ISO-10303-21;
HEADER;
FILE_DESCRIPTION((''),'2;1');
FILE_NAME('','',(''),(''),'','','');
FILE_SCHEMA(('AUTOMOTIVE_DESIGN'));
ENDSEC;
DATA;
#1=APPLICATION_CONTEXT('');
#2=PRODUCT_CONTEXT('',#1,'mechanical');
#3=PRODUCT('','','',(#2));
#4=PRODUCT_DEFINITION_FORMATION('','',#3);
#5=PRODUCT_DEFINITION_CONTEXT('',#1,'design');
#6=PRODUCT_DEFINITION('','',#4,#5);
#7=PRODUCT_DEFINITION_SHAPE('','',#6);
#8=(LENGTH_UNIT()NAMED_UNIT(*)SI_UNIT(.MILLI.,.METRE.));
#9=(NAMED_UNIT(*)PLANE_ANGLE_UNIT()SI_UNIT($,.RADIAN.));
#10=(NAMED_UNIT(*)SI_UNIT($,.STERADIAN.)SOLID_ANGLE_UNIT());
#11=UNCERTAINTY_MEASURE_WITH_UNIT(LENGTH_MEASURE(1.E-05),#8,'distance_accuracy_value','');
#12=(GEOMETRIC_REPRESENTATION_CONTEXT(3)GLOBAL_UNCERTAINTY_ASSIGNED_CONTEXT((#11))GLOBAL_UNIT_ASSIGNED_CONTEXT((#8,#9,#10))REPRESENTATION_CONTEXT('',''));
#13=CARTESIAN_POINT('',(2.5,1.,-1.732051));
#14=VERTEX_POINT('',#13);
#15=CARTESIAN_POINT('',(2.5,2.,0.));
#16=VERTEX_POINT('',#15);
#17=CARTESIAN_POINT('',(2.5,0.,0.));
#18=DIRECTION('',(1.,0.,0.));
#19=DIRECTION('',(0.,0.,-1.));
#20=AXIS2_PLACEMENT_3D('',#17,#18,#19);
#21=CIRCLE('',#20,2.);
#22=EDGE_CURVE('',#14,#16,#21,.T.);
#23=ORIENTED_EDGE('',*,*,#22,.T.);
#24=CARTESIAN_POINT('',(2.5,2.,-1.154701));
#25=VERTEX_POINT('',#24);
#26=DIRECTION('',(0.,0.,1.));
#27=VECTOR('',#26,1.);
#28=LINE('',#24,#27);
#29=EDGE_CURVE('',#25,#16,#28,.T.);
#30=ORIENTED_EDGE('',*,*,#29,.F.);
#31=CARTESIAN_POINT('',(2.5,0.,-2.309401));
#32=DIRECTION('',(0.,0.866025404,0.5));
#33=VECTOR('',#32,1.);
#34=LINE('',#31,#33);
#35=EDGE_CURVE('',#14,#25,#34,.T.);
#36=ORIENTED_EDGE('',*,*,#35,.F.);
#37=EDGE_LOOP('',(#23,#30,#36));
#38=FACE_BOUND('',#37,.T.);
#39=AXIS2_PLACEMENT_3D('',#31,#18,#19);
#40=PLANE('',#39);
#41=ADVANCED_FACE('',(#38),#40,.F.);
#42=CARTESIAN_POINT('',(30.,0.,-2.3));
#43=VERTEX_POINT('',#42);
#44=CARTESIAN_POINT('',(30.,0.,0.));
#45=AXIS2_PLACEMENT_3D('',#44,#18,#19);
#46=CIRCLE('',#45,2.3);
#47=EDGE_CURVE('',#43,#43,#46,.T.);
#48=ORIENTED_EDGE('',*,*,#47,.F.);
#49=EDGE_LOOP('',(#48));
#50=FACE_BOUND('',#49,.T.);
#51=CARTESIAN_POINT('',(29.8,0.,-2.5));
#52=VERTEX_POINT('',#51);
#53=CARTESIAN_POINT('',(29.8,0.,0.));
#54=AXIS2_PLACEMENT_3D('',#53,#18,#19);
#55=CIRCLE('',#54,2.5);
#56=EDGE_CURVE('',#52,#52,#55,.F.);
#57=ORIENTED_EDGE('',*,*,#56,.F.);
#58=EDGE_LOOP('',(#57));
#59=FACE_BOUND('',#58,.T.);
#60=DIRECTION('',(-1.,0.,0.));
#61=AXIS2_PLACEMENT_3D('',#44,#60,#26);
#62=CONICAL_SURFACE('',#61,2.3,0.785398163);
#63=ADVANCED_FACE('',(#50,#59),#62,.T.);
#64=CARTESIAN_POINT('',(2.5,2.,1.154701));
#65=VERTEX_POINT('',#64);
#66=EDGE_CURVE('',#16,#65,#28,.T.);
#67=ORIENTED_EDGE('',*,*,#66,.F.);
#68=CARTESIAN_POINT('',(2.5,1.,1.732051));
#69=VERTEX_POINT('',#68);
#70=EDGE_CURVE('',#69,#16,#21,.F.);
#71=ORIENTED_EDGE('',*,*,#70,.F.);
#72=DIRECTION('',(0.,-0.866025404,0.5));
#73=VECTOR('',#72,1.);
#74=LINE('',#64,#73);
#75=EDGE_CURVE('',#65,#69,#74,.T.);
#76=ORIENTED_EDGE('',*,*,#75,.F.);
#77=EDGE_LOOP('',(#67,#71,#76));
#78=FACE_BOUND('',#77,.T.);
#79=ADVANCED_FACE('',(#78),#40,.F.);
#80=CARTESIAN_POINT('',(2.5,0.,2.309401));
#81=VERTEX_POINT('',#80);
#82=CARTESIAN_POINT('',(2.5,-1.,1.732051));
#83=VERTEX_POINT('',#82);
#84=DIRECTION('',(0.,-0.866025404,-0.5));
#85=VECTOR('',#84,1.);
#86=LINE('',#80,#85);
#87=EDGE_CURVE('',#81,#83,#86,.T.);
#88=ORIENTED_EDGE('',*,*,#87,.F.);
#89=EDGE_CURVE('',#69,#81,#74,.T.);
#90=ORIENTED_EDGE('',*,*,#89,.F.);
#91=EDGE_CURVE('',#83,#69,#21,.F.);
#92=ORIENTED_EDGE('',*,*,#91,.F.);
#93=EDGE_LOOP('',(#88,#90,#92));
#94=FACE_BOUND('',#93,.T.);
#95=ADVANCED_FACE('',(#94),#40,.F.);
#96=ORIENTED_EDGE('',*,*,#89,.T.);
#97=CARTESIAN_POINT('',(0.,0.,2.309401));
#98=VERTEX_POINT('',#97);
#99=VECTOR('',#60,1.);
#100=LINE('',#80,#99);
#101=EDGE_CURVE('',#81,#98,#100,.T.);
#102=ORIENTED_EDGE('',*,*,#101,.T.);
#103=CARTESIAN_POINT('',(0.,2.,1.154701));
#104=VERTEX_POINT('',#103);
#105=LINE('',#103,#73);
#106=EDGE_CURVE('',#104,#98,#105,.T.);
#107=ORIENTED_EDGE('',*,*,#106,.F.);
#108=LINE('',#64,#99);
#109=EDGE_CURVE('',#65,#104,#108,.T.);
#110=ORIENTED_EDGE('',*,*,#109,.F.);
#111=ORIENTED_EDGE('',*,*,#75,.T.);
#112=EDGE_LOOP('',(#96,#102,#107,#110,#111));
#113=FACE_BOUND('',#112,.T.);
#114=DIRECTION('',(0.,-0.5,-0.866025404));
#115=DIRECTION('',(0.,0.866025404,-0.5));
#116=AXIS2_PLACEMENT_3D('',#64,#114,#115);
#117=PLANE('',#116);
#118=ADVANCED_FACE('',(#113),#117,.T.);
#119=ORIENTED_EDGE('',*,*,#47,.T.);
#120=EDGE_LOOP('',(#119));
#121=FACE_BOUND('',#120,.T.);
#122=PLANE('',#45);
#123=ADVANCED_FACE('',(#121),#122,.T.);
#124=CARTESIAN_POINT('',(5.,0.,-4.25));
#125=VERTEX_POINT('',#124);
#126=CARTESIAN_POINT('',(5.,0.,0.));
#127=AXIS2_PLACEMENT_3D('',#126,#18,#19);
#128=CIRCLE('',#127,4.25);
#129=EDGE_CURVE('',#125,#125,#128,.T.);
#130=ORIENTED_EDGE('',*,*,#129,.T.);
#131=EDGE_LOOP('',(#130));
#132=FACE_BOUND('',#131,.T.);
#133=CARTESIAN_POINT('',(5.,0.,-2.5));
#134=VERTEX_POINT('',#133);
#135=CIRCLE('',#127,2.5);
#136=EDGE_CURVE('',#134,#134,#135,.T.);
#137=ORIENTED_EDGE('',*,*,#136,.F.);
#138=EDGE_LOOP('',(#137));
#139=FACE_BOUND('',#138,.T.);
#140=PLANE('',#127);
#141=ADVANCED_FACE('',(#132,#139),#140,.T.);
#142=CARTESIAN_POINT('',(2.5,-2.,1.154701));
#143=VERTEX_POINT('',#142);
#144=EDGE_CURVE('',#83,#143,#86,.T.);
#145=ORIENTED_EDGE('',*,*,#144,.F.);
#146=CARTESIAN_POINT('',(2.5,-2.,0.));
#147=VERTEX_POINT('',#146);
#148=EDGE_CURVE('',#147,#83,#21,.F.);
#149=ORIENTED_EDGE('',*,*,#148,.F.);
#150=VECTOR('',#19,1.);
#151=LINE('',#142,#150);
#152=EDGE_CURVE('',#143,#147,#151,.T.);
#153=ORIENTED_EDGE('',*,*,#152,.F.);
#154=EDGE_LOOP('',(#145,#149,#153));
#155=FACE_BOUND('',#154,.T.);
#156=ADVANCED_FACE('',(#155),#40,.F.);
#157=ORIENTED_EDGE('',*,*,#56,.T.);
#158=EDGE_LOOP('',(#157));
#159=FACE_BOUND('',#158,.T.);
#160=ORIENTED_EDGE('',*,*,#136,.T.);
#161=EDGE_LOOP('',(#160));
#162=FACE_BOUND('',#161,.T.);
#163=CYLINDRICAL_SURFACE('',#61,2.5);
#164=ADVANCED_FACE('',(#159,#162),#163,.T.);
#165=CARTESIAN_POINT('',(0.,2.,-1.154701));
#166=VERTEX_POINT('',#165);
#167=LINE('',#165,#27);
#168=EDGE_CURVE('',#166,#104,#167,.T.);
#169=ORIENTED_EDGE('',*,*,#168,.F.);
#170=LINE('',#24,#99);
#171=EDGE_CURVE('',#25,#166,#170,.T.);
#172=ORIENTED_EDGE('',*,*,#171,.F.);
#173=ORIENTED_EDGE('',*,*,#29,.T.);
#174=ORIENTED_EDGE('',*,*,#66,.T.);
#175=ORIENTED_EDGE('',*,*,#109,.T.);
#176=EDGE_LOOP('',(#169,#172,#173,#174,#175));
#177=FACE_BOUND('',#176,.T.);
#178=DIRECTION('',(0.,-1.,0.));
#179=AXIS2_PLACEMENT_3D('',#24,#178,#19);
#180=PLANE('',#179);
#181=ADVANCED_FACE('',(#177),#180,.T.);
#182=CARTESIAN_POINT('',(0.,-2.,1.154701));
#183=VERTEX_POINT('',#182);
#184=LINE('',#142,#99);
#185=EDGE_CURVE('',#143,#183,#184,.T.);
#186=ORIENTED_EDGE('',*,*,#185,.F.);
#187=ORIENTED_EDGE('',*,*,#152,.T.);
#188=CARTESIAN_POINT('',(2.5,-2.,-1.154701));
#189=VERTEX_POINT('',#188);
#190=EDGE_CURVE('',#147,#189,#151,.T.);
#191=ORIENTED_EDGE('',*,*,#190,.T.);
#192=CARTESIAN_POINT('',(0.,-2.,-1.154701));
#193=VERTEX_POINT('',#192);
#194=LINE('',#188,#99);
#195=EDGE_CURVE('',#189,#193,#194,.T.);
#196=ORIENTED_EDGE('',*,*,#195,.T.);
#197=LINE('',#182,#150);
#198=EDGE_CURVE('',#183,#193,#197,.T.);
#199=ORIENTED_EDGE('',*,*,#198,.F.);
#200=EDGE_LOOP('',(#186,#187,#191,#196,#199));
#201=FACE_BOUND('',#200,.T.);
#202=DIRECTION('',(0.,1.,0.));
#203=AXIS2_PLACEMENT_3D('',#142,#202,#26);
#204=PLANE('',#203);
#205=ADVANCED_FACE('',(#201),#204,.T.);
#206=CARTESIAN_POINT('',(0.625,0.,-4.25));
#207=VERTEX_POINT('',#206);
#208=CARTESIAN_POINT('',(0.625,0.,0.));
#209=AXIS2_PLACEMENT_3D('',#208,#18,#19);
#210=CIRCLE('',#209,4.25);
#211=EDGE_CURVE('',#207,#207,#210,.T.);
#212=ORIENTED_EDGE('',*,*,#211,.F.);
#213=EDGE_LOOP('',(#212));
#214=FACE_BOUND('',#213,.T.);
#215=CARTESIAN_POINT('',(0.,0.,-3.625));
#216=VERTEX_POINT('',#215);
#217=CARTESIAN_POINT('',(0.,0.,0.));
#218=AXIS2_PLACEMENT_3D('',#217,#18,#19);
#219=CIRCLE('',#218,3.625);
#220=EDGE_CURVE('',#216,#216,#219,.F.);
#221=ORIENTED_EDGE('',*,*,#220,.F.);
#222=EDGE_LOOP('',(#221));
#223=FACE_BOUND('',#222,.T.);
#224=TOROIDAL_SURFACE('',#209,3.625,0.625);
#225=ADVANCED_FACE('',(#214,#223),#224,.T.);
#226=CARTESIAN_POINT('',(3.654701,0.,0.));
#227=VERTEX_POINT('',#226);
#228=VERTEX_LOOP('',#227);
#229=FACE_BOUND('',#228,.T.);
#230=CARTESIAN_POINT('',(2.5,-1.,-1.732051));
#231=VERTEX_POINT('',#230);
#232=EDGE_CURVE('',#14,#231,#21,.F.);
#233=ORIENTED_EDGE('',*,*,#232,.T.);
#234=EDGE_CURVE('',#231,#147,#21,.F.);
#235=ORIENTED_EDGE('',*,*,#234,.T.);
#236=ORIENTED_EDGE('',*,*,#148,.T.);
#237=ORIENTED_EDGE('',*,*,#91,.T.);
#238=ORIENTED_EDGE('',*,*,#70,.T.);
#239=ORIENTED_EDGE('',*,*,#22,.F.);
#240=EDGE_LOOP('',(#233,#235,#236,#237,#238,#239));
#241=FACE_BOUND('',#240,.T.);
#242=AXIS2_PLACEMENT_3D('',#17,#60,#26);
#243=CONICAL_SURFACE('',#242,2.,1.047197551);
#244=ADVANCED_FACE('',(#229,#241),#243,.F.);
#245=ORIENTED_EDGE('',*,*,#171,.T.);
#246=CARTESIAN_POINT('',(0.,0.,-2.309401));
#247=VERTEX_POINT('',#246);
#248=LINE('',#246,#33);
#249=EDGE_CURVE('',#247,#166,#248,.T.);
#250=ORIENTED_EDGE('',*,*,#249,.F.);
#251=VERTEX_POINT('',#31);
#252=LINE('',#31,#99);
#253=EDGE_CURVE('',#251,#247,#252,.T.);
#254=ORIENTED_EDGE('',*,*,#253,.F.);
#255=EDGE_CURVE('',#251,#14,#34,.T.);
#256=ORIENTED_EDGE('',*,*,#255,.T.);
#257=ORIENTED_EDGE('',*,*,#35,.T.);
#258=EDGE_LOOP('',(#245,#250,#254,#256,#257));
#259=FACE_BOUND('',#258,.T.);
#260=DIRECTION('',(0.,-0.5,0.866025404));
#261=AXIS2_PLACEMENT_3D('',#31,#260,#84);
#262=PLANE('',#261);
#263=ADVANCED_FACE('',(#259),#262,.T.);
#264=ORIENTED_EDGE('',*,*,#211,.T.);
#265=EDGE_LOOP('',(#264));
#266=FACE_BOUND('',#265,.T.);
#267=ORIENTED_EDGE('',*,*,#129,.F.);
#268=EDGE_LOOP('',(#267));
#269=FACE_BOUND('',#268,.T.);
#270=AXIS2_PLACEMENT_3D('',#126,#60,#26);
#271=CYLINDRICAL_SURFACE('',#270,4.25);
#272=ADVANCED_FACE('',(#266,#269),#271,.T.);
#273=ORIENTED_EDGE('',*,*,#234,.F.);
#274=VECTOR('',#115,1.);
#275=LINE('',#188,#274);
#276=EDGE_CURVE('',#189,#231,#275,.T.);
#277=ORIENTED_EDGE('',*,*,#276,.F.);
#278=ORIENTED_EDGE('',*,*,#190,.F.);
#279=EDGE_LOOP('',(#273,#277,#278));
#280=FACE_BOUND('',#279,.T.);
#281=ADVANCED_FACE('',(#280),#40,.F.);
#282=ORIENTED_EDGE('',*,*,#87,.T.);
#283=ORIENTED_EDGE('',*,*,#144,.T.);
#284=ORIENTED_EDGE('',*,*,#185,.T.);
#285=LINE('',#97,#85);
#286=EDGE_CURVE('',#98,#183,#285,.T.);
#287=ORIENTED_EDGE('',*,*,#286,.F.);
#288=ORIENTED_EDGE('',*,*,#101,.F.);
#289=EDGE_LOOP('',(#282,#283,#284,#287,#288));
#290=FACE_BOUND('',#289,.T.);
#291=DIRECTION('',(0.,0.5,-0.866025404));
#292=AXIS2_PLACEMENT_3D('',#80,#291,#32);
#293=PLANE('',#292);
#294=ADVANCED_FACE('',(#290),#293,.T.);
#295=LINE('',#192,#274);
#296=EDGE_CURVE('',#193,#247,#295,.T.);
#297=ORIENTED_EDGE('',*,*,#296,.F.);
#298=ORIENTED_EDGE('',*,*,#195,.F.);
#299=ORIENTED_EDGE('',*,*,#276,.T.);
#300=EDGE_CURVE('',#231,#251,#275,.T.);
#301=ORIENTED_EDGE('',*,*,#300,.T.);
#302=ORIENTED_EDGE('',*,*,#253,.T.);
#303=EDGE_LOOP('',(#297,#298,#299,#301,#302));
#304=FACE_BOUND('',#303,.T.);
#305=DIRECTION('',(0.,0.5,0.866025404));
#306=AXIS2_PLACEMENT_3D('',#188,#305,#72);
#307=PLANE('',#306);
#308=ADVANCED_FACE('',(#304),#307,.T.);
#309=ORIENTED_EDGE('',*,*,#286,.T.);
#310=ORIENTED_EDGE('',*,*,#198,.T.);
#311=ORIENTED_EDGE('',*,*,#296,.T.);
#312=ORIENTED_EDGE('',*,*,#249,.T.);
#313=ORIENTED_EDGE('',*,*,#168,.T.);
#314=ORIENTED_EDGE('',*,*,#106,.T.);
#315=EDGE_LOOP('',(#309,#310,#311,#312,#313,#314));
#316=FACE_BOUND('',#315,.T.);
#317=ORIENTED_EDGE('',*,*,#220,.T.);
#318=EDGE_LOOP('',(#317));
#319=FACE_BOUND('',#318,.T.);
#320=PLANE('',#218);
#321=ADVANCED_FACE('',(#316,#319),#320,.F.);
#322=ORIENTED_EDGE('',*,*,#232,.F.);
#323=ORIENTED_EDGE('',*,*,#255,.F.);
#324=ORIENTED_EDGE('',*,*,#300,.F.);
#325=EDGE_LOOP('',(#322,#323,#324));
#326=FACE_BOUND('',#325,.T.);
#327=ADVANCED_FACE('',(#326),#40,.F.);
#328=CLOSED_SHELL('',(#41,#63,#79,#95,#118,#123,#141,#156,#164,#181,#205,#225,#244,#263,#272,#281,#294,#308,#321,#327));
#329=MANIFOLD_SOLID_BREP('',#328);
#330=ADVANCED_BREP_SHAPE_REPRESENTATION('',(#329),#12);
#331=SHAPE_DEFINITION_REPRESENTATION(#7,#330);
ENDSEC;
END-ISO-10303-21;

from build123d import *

# Parameters (mm, degrees)
SKETCH1_R           = 4.25
BASEHEAD_DEPTH      = 5
SKETCH2_R           = 2.5
BASEBODY_DEPTH      = 25
HEXAGONSOCKET_DEPTH = 2.5
TOPFILLET_R         = 0.625
CHAMFER1_SIZE       = 0.2


with BuildPart() as part:
    # Sketch1 → BaseHead (new body)
    with BuildSketch(Plane(origin=(0, 0, 0), x_dir=(0, 0, -1), z_dir=(1, 0, 0))):
        Circle(SKETCH1_R)
    extrude(amount=BASEHEAD_DEPTH)

    # Sketch2 → BaseBody (add)
    with BuildSketch(Plane(origin=(5, 0, 0), x_dir=(0, 0, -1), z_dir=(1, 0, 0))):
        Circle(SKETCH2_R)
    extrude(amount=BASEBODY_DEPTH)

    # Sketch3 → HexagonSocket (cut)
    with BuildSketch(Plane(origin=(0, 0, 0), x_dir=(0, 0, -1), z_dir=(1, 0, 0))):
        Polygon((2.309401077, 0), (1.154700538, 2), (-1.154700538, 2), (-2.309401077, 0), (-1.154700538, -2), (1.154700538, -2), align=None)
    extrude(amount=HEXAGONSOCKET_DEPTH, mode=Mode.SUBTRACT)

    # Sketch4 → Cut-Revolve1 (revolve, cut)
    with BuildSketch(Plane(origin=(-4.19613823, 0.75, 0), x_dir=(-1, 0, 0), z_dir=(0, 0, 1))):
        Polygon((-6.69613823, 2.75), (-7.850838768, 0.75), (-6.69613823, 0.75), align=None)
    revolve(axis=Axis((0.838992387, 0, 0), (-1, 0, 0)), mode=Mode.SUBTRACT)

    # TopFillet
    topfillet_edges = [part.edges().sort_by_distance(p)[0] for p in [
        (0, 0, 4.25),
    ]]
    fillet(topfillet_edges, radius=TOPFILLET_R)

    # Chamfer1
    chamfer1_edges = [part.edges().sort_by_distance(p)[0] for p in [
        (30, 0, 2.5),
    ]]
    chamfer(chamfer1_edges, length=CHAMFER1_SIZE)


solid = part.part
